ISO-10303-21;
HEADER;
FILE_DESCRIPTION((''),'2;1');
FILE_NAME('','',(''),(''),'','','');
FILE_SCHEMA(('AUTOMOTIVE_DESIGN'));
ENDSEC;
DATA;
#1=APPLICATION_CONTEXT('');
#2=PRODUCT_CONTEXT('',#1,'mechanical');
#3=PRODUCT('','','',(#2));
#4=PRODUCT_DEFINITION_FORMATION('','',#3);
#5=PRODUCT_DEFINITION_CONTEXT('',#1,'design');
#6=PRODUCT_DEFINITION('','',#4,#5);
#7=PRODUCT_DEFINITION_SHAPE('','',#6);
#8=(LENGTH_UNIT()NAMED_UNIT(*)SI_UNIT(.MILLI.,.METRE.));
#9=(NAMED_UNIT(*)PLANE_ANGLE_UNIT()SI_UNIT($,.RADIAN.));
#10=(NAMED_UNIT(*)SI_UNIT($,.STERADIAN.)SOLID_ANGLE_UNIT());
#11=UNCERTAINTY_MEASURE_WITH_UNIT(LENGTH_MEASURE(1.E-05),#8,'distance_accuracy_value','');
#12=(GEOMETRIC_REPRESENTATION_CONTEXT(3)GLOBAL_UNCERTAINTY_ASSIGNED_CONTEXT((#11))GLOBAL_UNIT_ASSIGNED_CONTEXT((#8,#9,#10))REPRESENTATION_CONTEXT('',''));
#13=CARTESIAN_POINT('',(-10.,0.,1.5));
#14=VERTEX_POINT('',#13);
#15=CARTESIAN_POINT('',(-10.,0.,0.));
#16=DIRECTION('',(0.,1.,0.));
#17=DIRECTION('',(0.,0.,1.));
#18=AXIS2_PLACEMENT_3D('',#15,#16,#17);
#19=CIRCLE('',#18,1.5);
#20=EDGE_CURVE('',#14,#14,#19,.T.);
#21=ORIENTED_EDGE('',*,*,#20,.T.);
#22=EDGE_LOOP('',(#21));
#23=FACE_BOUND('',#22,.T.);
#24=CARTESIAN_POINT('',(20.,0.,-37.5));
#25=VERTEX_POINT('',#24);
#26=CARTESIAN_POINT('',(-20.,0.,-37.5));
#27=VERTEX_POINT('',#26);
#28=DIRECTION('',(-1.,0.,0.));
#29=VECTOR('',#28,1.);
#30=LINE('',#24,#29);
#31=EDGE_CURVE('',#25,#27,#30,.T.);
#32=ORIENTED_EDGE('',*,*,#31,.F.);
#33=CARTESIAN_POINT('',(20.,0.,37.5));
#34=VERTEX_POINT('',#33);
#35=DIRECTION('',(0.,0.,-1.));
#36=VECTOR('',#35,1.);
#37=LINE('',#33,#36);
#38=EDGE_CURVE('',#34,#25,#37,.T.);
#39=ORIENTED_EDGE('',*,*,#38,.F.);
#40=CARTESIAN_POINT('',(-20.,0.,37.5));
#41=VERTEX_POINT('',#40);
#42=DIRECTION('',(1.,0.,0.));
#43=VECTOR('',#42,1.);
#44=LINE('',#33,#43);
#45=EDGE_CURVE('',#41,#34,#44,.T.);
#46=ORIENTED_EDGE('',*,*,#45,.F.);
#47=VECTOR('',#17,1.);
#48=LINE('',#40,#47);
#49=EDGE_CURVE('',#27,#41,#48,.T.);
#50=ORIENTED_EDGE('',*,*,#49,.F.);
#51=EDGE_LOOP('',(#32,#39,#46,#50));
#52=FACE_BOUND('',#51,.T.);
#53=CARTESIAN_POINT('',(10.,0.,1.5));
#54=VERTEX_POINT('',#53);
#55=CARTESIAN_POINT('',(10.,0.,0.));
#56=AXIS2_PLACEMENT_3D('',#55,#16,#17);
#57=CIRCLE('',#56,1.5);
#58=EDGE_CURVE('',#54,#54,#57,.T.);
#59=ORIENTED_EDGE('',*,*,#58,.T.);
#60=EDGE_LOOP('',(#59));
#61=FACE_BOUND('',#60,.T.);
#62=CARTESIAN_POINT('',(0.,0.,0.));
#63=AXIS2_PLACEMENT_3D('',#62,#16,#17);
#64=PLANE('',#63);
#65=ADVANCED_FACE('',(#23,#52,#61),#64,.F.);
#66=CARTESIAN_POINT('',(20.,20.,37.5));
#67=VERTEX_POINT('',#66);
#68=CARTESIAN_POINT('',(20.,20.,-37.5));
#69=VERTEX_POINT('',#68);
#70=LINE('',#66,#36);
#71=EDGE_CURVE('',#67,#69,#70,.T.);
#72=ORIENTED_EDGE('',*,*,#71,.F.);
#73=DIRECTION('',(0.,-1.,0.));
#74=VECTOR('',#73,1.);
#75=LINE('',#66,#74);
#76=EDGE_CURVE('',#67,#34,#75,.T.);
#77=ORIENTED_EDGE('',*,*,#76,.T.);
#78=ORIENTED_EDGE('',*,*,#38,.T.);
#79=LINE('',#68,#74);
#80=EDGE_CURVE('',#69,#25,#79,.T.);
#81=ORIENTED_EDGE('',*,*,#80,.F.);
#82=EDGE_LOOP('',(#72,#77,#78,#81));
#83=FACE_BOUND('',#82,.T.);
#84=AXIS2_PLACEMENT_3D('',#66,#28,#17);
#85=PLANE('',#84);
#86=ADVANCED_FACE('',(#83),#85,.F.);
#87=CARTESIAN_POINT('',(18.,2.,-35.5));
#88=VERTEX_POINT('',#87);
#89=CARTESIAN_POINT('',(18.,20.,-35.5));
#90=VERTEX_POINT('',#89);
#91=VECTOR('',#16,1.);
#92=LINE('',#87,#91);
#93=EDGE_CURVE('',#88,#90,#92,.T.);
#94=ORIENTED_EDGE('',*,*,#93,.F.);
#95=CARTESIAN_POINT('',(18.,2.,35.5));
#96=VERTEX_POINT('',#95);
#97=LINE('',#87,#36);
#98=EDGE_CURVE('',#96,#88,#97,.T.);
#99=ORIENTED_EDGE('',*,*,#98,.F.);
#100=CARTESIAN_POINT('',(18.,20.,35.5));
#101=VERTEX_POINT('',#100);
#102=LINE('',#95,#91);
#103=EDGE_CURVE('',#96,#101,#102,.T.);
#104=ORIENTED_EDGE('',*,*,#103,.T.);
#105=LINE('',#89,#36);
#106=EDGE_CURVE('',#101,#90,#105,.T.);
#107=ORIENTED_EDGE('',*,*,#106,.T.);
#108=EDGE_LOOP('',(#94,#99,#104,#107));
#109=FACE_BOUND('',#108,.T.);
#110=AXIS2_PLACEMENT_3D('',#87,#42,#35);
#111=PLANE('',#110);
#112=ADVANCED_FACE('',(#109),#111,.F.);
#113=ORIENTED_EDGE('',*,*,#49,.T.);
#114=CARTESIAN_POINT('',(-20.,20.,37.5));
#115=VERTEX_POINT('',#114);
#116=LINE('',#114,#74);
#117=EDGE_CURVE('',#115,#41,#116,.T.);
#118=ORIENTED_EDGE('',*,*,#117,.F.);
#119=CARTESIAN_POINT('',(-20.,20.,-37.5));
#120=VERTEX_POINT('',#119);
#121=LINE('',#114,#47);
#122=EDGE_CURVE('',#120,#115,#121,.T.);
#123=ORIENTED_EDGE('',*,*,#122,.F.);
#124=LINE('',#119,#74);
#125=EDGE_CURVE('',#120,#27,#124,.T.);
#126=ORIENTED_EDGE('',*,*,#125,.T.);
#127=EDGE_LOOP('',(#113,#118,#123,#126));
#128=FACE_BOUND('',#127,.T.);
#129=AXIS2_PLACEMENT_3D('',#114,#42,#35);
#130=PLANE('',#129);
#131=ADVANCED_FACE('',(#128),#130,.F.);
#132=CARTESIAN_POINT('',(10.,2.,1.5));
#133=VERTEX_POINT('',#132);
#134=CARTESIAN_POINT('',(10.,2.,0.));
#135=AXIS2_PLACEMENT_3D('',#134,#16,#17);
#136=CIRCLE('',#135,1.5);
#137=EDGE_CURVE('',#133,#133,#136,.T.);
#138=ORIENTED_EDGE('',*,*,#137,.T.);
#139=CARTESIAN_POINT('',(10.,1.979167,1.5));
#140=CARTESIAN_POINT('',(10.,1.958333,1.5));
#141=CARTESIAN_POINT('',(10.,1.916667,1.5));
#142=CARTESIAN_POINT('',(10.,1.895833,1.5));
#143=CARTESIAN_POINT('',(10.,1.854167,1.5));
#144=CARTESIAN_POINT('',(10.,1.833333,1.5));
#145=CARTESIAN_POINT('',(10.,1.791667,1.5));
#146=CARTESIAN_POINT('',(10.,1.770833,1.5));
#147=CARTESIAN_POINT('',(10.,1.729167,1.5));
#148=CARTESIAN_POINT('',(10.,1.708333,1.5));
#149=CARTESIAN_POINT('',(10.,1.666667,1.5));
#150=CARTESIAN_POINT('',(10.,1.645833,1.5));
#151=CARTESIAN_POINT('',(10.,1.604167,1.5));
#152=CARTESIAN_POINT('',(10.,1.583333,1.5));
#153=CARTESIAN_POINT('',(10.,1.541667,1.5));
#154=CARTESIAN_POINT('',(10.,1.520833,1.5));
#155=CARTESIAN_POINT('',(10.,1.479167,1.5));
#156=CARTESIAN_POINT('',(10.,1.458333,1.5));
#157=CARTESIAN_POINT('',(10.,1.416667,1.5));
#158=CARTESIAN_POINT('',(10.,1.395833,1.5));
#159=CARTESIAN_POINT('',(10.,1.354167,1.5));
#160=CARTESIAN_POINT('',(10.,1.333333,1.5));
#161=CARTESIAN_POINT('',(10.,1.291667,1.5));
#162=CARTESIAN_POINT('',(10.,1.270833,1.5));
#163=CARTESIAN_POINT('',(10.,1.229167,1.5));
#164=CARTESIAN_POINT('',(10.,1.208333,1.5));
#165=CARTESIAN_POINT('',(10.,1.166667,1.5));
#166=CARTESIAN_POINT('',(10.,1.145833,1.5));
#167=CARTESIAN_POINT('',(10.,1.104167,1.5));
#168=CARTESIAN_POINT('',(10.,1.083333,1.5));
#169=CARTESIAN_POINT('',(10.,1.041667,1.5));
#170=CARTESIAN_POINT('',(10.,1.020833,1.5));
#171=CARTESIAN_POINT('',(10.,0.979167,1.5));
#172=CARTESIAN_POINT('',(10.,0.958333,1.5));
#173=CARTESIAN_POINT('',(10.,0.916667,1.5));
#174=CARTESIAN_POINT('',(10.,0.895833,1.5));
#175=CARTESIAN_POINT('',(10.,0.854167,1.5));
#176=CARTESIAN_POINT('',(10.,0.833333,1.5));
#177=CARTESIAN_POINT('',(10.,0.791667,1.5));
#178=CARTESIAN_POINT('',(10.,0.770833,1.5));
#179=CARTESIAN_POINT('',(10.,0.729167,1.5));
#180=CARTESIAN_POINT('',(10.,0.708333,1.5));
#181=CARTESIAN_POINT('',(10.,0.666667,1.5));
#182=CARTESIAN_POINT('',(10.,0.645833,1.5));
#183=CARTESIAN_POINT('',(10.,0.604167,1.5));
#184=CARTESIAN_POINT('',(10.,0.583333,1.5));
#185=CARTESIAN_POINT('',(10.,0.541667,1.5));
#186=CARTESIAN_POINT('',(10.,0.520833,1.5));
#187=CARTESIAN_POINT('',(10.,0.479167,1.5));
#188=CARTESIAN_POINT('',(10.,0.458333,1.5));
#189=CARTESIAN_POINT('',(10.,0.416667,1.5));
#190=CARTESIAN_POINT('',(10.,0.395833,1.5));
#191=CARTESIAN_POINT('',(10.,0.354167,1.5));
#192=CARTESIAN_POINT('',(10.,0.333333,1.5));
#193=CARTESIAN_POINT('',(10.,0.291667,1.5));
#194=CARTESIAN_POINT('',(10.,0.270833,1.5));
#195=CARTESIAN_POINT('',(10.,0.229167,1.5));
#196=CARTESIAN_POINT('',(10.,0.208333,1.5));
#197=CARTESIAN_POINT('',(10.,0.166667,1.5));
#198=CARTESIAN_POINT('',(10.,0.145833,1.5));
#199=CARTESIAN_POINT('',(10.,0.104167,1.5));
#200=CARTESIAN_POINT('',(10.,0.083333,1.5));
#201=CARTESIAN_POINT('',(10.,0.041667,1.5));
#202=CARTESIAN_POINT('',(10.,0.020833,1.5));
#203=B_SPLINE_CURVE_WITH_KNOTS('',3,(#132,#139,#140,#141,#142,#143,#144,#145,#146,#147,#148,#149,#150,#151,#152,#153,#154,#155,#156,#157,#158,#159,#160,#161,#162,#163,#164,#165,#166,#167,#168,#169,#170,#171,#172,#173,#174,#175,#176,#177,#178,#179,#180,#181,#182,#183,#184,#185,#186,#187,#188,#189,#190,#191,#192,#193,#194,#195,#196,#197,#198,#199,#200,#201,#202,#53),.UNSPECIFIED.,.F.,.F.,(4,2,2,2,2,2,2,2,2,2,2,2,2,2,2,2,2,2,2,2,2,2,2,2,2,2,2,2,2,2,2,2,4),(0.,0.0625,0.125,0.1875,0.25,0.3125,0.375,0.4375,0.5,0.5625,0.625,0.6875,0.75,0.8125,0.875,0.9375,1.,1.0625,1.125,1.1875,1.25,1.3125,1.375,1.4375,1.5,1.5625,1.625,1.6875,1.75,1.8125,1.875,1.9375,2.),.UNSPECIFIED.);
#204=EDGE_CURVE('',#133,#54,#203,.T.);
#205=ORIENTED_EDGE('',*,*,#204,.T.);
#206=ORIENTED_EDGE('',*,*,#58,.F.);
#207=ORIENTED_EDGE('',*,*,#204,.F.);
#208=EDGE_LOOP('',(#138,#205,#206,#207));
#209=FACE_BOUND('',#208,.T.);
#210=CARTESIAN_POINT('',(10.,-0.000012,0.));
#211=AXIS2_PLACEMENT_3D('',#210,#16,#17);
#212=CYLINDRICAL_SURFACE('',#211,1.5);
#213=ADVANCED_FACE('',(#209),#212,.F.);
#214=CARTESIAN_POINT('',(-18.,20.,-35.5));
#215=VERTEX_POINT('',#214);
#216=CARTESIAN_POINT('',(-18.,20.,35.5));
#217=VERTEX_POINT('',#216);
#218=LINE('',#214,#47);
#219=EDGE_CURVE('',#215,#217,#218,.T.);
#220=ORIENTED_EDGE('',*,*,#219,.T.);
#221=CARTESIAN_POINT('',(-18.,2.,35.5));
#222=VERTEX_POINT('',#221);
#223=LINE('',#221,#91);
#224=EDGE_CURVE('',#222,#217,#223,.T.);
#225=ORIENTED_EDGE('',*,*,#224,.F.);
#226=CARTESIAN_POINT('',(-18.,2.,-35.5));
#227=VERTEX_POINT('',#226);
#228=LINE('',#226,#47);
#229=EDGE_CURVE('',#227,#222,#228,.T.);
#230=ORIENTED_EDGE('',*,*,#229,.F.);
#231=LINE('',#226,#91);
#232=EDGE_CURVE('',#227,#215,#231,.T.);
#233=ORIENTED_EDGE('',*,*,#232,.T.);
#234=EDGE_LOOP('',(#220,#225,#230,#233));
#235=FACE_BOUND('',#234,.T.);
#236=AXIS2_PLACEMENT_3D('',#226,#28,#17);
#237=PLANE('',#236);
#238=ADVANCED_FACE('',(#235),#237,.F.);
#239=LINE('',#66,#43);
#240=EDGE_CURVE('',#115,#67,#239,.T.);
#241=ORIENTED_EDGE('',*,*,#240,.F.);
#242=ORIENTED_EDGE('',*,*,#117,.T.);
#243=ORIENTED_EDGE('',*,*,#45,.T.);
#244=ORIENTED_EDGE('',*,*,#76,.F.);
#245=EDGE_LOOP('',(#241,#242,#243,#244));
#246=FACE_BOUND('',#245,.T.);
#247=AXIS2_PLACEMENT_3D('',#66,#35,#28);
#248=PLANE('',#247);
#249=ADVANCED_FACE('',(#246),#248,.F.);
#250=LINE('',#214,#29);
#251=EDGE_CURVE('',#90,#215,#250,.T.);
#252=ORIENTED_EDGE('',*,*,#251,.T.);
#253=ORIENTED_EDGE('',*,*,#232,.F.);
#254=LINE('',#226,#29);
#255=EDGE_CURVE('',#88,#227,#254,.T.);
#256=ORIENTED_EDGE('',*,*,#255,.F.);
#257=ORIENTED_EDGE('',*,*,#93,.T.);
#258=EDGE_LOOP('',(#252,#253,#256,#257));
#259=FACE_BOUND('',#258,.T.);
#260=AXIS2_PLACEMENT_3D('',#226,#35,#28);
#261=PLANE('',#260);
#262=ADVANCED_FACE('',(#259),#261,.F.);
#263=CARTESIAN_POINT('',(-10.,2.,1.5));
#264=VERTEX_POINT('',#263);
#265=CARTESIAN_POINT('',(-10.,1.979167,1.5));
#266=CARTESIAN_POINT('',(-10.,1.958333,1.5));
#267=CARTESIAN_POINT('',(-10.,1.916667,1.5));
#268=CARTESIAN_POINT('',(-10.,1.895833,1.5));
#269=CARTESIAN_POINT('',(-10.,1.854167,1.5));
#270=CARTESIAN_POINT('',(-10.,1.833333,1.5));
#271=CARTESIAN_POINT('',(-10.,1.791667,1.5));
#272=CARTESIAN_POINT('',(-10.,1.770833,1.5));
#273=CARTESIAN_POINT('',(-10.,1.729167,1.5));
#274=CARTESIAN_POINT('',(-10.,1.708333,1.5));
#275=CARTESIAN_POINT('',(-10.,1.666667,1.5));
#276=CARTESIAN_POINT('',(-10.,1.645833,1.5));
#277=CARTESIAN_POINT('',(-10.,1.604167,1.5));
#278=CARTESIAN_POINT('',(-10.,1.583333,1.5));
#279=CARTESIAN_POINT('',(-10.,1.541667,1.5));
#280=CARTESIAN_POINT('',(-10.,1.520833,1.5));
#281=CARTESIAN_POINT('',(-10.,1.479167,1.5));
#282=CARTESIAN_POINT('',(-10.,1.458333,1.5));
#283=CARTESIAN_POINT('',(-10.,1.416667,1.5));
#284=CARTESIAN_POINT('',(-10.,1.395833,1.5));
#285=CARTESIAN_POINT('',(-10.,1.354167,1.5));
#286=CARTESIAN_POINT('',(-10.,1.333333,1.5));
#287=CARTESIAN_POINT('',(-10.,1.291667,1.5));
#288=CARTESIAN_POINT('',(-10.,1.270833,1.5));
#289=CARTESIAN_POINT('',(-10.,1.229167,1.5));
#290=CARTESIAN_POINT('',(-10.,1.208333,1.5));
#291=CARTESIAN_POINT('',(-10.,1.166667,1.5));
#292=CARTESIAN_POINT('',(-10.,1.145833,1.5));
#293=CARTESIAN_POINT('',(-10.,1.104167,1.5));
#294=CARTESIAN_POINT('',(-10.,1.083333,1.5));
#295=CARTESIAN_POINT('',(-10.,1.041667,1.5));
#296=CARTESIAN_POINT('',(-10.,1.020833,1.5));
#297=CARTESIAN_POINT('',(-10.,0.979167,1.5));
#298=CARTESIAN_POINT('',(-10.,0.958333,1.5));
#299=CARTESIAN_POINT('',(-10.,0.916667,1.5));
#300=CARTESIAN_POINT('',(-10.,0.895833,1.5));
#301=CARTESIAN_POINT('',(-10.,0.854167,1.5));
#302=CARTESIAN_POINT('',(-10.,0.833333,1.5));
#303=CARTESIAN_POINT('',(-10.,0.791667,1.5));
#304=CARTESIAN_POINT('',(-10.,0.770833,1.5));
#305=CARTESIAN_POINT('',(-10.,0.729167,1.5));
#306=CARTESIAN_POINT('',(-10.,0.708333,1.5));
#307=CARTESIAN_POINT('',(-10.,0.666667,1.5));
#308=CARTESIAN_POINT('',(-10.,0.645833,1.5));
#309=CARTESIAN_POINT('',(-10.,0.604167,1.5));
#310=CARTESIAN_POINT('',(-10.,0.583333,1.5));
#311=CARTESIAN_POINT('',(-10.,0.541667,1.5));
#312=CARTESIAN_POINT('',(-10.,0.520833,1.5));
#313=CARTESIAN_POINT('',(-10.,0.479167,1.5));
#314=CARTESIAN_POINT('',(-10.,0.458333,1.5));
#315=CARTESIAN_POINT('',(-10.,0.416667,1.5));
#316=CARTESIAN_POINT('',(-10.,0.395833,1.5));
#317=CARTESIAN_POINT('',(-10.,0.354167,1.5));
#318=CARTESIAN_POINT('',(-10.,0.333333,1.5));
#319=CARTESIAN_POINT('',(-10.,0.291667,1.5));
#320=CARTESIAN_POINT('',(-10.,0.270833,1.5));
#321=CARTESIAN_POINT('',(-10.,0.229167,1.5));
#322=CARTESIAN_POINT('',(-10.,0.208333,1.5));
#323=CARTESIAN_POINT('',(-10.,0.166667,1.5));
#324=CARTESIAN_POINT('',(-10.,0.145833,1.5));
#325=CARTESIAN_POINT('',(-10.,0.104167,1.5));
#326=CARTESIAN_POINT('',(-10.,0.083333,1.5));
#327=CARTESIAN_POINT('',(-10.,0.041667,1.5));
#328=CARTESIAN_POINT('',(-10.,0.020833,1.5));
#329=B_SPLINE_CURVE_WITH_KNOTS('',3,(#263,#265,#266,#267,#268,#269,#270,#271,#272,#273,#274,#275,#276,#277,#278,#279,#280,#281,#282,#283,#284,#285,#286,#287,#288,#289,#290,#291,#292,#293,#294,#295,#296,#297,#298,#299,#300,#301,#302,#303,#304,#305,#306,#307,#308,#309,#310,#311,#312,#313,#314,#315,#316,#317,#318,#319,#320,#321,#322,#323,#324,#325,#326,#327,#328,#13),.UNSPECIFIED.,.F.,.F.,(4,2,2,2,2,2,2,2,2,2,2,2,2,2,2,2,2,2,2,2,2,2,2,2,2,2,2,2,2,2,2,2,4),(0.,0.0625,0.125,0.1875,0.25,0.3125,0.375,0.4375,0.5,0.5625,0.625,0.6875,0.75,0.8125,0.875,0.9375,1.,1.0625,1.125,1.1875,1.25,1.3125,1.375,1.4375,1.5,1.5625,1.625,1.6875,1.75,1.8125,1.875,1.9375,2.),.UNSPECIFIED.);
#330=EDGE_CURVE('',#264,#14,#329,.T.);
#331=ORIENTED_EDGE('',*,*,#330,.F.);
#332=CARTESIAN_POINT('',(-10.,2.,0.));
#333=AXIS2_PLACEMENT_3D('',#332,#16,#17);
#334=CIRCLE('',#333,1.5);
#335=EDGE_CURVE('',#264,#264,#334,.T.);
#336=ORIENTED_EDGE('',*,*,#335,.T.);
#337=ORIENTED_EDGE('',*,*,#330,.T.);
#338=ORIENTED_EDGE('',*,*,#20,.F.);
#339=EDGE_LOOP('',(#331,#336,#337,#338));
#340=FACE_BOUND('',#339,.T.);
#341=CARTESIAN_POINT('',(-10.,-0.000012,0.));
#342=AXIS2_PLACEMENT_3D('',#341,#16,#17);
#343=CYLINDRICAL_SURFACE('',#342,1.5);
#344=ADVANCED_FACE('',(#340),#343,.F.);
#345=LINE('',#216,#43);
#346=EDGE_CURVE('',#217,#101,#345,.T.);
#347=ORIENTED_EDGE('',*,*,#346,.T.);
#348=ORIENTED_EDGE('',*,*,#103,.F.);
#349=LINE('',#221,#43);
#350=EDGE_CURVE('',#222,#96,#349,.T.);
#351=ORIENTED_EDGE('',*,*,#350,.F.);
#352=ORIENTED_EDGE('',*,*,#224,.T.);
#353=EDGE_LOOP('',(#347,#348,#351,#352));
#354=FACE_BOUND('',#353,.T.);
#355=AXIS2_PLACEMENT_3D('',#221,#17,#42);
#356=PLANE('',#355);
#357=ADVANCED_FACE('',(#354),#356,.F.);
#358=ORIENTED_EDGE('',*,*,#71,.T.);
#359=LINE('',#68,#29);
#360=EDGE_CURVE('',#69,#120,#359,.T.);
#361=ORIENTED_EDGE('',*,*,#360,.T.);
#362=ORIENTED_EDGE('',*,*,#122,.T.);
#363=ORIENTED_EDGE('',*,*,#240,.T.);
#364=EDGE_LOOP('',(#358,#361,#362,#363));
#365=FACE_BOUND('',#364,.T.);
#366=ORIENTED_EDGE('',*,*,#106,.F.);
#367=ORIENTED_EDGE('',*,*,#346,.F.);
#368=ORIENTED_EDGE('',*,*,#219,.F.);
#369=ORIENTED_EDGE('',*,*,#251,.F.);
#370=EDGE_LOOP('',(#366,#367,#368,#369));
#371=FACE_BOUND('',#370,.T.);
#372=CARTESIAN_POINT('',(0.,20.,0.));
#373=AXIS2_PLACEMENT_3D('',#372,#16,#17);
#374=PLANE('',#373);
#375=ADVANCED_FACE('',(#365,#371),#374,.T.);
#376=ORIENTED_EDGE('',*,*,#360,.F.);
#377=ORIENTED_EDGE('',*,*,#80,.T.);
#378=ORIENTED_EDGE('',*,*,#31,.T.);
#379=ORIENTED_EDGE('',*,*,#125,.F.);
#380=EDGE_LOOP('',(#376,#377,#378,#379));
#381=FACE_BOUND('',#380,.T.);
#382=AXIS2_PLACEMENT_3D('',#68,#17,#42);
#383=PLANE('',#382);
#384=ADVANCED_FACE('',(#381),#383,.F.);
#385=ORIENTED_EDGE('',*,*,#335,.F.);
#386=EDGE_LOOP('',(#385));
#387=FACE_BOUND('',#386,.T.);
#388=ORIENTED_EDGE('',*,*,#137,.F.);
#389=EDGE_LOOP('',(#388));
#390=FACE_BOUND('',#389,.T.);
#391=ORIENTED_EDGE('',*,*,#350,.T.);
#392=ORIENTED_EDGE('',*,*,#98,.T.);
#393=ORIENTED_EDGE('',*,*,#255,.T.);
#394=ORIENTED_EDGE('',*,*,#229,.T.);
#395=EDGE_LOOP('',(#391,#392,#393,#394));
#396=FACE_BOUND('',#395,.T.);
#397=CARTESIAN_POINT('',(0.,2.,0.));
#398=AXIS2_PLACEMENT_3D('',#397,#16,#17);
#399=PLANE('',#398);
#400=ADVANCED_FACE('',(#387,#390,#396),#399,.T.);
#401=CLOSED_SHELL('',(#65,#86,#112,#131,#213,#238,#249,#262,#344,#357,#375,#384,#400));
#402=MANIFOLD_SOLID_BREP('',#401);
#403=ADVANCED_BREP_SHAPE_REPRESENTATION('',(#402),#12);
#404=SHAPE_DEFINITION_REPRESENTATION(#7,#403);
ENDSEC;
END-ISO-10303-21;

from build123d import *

# Parameters (mm, degrees)
SKETCH_1_W              = 40
SKETCH_1_H              = 75
EXTRUDE_1_DEPTH         = 20
SKETCH_2_W              = 36
SKETCH_2_H              = 71
CUT_EXTRUDE_1_DEPTH     = 18
CUT_EXTRUDE4_DEPTH      = 47.97073557
CUT_EXTRUDE4_DEPTH_BACK = 47.97073557
SKETCH1_R               = 1.5


with BuildPart() as part:
    # 스케치1 → 보스-돌출1 (new body)
    with BuildSketch(Plane(origin=(0, 0, 0), x_dir=(1, 0, 0), z_dir=(0, 1, 0))):
        Rectangle(SKETCH_1_W, SKETCH_1_H)
    extrude(amount=EXTRUDE_1_DEPTH)

    # 스케치2 → 컷-돌출1 (cut)
    with BuildSketch(Plane(origin=(0, 20, 0), x_dir=(1, 0, 0), z_dir=(0, 1, 0))):
        Rectangle(SKETCH_2_W, SKETCH_2_H)
    extrude(amount=-CUT_EXTRUDE_1_DEPTH, mode=Mode.SUBTRACT)

    # Sketch1 → Cut-Extrude4 (cut, two sides: drawn at the far end of the back side and taken through both)
    with BuildSketch(Plane(origin=(0, 0, 0), x_dir=(1, 0, 0), z_dir=(0, 1, 0)).offset(-CUT_EXTRUDE4_DEPTH_BACK)):
        with Locations(Location((-10, 0, 0), (0, 0, 270))):
            Circle(SKETCH1_R)
        with Locations(Location((10, 0, 0), (0, 0, 270))):
            Circle(SKETCH1_R)
    extrude(amount=CUT_EXTRUDE4_DEPTH + CUT_EXTRUDE4_DEPTH_BACK, mode=Mode.SUBTRACT)


solid = part.part
